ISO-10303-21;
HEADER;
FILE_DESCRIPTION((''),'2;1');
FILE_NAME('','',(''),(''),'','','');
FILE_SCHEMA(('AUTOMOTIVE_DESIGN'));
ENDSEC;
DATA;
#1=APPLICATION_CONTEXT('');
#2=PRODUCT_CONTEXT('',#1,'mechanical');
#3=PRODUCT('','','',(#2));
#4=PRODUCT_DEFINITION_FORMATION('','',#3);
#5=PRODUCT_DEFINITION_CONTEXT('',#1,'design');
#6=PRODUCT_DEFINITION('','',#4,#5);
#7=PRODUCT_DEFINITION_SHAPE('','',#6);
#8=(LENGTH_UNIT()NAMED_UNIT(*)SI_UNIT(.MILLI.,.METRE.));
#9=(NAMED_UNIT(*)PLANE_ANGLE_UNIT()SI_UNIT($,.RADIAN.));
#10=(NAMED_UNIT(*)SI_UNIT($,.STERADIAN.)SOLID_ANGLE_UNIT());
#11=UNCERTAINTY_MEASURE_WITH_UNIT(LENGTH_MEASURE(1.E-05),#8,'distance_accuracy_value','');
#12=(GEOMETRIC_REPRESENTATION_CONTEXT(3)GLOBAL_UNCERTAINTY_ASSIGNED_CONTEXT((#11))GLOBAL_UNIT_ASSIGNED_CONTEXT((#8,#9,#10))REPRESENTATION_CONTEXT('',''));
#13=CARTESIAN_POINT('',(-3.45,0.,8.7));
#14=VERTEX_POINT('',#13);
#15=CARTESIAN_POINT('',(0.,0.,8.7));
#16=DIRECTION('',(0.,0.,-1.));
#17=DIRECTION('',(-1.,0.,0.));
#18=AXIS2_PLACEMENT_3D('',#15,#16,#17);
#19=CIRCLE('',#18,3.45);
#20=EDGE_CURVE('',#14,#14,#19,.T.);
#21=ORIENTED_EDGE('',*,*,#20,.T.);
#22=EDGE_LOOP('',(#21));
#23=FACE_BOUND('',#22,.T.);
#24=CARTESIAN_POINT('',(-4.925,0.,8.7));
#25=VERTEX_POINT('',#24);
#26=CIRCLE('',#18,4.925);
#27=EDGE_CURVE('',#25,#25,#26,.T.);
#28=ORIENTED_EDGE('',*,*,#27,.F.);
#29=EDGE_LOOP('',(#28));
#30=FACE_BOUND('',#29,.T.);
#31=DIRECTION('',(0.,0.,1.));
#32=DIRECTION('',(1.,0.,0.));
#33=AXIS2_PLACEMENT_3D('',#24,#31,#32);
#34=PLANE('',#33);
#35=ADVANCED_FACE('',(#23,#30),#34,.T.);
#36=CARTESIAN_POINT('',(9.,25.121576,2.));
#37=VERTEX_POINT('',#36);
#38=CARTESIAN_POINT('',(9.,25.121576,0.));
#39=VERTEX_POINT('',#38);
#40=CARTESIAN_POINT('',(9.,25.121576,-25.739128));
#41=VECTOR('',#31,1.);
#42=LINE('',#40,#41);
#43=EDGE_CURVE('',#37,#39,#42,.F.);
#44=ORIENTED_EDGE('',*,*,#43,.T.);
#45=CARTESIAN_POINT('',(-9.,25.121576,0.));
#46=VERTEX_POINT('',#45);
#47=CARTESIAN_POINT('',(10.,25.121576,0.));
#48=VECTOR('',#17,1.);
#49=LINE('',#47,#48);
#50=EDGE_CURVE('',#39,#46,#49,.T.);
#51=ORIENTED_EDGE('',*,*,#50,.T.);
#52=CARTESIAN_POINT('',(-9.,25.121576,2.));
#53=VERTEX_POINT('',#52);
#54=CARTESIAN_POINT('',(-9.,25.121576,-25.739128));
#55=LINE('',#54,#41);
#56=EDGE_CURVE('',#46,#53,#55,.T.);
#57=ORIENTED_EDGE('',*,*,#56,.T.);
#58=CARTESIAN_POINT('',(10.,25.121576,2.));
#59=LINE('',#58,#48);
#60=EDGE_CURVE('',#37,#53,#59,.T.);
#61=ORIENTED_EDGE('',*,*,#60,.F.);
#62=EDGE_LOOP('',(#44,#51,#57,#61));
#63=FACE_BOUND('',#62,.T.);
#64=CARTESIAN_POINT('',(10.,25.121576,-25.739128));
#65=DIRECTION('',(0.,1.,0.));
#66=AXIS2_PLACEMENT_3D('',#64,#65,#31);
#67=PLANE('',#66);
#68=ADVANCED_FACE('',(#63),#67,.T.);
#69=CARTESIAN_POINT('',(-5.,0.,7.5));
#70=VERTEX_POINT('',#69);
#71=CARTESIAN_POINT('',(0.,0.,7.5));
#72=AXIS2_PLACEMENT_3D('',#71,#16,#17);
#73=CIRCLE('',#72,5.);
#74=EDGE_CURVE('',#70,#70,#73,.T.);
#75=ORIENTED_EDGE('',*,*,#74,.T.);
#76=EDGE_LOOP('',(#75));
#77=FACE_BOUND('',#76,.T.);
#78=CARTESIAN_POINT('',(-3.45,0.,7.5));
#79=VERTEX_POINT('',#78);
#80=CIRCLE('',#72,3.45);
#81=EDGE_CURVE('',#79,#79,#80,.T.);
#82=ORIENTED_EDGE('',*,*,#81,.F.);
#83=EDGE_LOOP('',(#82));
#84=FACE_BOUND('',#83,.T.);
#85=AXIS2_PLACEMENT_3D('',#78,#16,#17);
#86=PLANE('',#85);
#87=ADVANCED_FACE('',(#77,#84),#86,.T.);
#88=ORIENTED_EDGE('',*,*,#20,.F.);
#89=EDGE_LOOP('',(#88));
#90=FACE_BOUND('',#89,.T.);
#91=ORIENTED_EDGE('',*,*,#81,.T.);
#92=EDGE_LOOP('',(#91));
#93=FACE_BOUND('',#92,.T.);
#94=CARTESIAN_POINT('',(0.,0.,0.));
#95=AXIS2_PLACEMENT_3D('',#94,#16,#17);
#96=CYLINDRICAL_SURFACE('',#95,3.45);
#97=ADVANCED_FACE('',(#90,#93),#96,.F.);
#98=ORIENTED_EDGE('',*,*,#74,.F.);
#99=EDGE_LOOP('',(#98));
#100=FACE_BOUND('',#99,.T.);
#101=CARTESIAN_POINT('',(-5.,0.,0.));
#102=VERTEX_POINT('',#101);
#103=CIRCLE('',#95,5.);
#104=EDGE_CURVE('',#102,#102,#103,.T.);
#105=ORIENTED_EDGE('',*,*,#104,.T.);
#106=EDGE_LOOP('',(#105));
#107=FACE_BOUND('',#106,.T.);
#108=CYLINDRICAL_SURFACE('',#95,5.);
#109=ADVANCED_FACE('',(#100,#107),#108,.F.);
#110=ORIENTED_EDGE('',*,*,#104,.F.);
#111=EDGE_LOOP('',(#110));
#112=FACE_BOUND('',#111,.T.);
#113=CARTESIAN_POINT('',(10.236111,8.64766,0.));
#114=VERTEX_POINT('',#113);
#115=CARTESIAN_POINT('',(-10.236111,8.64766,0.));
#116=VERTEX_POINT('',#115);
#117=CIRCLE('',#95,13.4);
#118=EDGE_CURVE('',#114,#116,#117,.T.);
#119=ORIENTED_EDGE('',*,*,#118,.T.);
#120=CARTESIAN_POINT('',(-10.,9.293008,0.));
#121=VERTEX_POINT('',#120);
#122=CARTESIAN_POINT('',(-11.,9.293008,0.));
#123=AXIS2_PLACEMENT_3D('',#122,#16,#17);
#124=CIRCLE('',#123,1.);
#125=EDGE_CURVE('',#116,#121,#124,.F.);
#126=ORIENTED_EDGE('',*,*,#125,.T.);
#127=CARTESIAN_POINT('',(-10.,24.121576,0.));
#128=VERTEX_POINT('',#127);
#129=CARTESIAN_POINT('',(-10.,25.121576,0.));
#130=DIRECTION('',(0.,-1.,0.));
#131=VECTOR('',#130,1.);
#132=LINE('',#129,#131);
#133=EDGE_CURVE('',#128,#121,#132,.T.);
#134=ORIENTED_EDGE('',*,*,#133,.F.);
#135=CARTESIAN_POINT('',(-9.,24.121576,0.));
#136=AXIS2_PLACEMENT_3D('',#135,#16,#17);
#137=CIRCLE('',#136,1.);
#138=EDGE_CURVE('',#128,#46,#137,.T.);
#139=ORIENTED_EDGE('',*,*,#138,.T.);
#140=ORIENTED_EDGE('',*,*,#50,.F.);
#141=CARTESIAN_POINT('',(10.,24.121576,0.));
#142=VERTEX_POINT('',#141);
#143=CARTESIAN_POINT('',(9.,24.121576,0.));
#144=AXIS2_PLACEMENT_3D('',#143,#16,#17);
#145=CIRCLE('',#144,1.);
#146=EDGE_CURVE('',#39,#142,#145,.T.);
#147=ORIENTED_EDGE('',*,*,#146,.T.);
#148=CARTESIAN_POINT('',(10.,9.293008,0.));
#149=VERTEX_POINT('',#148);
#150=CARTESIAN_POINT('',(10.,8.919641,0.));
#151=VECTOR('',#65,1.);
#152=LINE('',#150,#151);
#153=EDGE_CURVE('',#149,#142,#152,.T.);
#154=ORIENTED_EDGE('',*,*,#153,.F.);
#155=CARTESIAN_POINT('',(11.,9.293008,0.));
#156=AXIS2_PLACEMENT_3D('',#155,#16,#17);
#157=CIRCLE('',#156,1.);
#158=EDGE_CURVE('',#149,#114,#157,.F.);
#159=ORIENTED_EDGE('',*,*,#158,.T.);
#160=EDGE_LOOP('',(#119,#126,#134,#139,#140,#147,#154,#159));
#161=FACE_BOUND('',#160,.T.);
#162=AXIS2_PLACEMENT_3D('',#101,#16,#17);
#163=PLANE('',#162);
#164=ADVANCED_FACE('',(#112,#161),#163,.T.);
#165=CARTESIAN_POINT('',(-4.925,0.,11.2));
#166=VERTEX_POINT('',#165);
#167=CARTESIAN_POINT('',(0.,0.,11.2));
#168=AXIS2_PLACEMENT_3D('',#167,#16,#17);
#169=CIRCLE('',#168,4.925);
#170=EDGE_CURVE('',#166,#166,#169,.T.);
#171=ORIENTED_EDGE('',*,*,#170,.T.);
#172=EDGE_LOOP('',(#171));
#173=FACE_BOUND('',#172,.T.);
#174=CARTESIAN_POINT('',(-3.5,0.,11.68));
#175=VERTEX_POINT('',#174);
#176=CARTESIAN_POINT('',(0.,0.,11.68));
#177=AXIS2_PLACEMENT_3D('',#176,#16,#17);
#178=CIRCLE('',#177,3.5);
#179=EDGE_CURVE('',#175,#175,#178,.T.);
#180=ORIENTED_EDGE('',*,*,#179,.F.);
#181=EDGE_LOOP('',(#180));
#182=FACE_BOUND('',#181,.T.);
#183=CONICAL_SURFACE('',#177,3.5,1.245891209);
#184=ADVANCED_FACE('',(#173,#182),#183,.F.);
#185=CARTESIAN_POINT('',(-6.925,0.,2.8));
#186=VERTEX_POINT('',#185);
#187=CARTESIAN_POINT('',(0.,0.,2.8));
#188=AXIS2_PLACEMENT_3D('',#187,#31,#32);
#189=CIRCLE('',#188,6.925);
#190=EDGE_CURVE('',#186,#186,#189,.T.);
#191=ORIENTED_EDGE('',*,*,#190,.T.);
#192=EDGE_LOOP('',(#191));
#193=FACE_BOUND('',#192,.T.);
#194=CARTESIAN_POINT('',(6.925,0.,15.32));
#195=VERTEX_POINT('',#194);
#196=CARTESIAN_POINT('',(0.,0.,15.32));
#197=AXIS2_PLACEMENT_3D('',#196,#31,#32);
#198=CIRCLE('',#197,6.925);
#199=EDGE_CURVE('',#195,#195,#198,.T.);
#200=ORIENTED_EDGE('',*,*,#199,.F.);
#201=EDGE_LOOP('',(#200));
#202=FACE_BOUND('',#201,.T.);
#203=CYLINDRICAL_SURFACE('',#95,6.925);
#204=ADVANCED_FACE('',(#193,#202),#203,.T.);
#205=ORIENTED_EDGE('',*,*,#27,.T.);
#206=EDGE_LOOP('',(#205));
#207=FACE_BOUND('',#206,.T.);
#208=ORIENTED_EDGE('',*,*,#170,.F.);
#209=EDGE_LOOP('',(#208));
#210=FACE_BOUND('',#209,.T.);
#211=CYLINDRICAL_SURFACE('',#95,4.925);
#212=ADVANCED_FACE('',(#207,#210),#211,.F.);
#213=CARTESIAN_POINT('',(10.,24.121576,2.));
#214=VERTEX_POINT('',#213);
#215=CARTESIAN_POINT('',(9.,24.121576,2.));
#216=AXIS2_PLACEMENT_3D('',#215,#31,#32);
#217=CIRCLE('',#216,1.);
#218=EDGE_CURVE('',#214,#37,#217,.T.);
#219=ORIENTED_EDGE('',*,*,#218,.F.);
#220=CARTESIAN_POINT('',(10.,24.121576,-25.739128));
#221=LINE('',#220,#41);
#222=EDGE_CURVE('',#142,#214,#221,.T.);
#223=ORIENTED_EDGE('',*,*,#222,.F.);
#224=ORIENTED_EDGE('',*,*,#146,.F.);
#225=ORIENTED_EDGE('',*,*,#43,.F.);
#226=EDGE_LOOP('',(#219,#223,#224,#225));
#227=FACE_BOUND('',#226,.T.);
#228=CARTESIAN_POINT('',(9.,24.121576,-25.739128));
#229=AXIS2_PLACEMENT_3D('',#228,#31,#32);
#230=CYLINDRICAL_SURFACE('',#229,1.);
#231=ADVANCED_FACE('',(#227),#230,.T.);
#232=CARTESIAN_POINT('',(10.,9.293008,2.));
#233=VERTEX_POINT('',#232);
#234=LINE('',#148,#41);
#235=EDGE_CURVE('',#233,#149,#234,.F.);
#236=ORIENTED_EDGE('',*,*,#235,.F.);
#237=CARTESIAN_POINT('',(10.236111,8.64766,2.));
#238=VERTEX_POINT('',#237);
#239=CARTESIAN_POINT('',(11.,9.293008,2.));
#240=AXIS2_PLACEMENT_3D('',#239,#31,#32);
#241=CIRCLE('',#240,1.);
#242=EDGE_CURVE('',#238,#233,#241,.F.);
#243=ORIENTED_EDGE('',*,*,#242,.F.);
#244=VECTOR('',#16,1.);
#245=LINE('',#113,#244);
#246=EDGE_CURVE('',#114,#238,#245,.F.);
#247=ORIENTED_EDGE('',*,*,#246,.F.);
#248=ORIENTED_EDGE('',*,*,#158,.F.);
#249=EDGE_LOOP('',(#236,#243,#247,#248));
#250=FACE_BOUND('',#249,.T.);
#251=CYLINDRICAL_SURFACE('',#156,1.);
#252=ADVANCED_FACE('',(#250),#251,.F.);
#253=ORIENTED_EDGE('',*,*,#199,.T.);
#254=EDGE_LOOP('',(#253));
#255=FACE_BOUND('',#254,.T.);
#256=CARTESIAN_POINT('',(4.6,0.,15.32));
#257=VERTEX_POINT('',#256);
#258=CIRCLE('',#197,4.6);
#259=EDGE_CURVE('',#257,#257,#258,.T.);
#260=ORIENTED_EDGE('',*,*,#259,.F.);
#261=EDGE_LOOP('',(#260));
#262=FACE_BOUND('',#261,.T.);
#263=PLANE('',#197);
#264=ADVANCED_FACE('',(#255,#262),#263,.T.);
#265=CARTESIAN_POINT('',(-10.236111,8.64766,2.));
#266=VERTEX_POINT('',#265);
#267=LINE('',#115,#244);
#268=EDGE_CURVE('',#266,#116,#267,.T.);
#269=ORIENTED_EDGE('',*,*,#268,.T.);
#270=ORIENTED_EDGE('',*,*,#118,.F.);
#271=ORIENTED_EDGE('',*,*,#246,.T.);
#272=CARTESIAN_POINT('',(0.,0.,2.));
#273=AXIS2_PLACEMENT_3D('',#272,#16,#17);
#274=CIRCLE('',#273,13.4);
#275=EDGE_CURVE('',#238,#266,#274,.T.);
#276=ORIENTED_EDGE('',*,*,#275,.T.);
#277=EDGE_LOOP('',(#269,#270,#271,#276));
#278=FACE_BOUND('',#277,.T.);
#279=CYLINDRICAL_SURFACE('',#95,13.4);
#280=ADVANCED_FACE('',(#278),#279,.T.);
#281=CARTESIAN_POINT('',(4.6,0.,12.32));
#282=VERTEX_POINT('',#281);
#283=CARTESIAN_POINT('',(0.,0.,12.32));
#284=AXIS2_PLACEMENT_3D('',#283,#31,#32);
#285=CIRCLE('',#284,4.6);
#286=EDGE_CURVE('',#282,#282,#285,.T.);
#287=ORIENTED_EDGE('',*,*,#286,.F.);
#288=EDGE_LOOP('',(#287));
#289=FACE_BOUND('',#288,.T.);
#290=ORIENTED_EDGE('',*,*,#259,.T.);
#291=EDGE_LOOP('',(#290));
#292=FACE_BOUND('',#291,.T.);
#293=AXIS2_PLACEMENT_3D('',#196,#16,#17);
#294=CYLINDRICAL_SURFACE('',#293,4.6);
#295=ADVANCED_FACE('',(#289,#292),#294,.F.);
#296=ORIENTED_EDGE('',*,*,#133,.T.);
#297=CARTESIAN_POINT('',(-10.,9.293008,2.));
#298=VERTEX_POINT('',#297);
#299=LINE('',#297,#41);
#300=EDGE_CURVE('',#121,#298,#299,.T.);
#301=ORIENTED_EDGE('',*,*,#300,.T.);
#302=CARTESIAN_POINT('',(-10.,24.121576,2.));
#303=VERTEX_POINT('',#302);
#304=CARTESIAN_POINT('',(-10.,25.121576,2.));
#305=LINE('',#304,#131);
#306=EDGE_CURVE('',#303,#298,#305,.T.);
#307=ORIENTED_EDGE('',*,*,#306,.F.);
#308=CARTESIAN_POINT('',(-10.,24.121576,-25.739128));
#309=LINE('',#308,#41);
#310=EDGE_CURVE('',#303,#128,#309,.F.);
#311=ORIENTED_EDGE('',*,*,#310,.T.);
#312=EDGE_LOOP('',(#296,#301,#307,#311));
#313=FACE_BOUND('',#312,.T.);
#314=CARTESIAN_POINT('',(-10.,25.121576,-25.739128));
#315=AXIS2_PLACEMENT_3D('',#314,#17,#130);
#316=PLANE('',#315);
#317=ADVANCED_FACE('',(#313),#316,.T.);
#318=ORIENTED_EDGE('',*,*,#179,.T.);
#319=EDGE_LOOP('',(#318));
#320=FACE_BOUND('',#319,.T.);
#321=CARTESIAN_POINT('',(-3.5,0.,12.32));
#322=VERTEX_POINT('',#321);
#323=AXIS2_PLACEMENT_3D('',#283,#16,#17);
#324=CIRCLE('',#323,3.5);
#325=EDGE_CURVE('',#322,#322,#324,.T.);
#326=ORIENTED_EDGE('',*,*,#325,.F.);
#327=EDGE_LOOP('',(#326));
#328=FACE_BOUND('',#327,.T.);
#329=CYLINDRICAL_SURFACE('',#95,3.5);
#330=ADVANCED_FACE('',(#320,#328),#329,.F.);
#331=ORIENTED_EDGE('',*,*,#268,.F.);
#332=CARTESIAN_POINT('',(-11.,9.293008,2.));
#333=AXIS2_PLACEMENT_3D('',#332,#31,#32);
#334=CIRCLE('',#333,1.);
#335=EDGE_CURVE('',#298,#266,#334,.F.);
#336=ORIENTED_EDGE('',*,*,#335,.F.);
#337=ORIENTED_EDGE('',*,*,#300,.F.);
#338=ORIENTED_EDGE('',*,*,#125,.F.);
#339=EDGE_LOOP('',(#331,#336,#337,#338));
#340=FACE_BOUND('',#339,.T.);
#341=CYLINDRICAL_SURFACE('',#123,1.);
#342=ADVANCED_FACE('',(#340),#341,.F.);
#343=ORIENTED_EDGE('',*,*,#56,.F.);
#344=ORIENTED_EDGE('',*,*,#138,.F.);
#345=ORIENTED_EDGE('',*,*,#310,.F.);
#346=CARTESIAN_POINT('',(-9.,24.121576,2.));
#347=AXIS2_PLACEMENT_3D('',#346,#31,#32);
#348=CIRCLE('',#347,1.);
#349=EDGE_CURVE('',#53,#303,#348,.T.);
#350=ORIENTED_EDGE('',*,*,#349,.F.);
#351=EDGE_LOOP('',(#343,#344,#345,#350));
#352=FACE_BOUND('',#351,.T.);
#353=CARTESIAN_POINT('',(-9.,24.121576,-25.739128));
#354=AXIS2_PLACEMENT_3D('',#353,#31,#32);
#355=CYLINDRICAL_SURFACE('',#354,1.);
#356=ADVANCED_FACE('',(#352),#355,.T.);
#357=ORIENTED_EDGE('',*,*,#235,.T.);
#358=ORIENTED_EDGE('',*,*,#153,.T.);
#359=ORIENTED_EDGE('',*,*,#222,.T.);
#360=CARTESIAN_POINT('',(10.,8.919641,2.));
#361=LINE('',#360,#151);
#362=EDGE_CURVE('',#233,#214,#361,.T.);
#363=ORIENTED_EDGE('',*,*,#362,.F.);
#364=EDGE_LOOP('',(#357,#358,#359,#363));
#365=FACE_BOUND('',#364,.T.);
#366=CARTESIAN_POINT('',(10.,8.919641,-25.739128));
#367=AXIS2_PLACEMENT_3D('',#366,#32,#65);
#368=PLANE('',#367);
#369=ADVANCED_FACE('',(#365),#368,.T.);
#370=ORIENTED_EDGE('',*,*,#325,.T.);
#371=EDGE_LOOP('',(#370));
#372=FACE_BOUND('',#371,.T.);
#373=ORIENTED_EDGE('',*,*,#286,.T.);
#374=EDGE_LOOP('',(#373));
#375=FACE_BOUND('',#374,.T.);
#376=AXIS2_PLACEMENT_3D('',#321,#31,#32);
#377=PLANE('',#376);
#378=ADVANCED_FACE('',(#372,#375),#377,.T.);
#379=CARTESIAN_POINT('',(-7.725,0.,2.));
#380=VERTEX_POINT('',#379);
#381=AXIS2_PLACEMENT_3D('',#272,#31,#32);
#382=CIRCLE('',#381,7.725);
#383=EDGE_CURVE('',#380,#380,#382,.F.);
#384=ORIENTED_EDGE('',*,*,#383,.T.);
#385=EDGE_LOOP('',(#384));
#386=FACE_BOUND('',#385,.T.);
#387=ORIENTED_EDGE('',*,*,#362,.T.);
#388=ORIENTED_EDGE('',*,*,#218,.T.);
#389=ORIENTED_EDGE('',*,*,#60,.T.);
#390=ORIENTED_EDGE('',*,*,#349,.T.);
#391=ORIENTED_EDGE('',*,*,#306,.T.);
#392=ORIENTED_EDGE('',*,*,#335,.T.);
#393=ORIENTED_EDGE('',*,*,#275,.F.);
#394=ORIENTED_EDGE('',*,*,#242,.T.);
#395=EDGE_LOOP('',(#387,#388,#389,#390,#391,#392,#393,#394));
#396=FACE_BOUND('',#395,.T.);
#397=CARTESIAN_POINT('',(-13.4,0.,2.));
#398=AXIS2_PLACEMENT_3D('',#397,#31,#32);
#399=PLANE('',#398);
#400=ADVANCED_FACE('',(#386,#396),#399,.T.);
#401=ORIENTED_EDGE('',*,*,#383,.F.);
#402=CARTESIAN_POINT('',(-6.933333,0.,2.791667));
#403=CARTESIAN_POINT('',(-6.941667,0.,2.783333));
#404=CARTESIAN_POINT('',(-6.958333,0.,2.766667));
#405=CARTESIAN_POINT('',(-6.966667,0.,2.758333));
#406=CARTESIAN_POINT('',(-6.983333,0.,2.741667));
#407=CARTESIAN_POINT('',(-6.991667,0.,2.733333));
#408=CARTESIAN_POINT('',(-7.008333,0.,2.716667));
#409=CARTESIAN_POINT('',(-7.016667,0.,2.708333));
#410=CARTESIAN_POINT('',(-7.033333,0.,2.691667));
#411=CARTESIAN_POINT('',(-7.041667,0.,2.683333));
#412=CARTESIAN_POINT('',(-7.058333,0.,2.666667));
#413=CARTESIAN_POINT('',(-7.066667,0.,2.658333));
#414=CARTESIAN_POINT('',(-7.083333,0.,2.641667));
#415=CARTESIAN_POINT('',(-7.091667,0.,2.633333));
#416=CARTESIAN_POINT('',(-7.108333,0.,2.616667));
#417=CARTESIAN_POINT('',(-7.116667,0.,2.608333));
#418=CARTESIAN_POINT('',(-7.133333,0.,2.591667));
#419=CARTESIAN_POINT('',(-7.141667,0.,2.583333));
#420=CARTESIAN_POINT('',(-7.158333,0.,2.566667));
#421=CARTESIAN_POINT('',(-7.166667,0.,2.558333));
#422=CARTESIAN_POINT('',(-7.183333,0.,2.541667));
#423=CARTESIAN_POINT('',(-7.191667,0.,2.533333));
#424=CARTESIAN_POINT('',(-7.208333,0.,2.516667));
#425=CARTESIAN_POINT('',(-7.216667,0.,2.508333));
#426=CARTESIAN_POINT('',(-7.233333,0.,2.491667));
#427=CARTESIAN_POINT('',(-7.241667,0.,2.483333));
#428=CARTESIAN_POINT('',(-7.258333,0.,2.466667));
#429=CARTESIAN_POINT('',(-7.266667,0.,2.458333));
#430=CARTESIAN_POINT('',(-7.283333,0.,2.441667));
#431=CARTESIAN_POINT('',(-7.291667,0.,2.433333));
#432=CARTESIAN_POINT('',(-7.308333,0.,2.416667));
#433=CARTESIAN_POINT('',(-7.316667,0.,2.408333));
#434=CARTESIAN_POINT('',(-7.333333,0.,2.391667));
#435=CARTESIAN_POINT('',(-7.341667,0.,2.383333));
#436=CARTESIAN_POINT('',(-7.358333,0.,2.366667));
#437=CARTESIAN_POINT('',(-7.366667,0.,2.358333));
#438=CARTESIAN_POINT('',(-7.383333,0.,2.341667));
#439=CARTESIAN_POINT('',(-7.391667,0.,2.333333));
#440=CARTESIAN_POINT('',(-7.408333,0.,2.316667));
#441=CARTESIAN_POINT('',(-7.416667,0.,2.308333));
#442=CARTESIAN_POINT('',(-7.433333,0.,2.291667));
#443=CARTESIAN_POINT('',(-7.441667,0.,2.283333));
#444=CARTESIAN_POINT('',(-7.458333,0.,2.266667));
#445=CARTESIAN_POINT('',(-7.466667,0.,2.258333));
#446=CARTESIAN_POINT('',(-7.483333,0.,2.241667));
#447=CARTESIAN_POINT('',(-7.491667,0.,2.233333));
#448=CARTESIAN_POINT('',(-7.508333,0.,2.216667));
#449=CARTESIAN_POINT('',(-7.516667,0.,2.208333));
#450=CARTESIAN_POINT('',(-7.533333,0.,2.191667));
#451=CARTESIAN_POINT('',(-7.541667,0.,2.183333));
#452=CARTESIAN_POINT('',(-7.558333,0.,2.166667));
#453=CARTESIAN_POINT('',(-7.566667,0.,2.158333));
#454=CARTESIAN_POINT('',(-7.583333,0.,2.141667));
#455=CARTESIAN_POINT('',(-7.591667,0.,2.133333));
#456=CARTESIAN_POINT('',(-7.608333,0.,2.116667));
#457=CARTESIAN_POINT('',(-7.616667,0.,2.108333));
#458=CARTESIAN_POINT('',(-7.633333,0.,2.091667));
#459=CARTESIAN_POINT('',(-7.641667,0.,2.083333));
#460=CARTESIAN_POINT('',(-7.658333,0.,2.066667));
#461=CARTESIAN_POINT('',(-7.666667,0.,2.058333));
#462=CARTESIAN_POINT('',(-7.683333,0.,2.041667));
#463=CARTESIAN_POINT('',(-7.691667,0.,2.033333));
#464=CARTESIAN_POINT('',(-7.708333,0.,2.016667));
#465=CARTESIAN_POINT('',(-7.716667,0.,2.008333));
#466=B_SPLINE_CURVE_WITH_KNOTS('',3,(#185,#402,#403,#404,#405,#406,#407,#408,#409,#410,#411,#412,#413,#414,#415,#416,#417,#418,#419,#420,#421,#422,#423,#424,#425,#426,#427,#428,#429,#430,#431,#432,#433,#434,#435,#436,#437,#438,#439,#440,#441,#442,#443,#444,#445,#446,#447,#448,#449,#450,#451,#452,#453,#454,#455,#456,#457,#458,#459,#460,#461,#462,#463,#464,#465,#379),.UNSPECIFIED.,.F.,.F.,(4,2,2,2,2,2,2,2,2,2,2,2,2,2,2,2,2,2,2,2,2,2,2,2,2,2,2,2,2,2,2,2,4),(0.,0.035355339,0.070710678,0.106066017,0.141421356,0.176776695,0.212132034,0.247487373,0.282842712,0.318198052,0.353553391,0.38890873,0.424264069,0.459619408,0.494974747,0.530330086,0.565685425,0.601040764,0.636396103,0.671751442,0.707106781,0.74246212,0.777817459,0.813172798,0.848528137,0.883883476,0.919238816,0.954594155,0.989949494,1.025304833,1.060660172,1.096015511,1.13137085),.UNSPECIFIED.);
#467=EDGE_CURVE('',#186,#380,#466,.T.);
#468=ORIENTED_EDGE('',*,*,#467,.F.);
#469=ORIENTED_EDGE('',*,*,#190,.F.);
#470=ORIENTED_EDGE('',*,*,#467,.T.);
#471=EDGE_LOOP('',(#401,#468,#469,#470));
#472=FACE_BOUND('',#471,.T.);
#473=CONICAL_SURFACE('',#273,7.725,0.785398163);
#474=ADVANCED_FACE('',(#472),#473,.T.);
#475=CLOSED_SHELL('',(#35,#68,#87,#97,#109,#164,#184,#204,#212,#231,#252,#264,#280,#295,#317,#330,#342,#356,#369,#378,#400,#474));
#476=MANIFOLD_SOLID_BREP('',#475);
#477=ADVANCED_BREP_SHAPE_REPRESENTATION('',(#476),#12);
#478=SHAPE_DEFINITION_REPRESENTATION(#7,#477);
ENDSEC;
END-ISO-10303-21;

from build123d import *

# Parameters (mm, degrees)
BOSS_EXTRUDE1_DEPTH = 2
FILLET2_R           = 1
CHAMFER1_SIZE       = 0.8
SKETCH4_R           = 6.925
SKETCH4_R_2         = 4.6
BOSS_EXTRUDE2_DEPTH = 3


with BuildPart() as part:
    # Sketch2 → Revolve1 (revolve)
    with BuildSketch(Plane(origin=(0, 0, 0), x_dir=(1, 0, 0), z_dir=(0, 1, 0))):
        Polygon((-3.5, -12.32), (-3.5, -11.68), (-4.925, -11.2), (-4.925, -8.7), (-3.45, -8.7), (-3.45, -7.5), (-5, -7.5), (-5, 0), (-13.4, 0), (-13.4, -2), (-6.925, -2), (-6.925, -12.32), align=None)
    revolve(axis=Axis((0, 0, 0), (0, 0, 1)))

    # Sketch3 → Boss-Extrude1 (add)
    with BuildSketch(Plane.XY.offset(2)):
        with BuildLine():
            Line((10, 8.919641248), (10, 25.121576202))
            Line((10, 25.121576202), (-10, 25.121576202))
            Line((-10, 25.121576202), (-10, 8.919641248))
            ThreePointArc((-10, 8.919641248), (0, 13.4), (10, 8.919641248))
        make_face()
    extrude(amount=-BOSS_EXTRUDE1_DEPTH)

    # Fillet2
    fillet2_edges = [part.edges().sort_by_distance(p)[0] for p in [
        (10, 25.121576202, 1),
        (-10, 25.121576202, 1),
        (-10, 8.919641248, 1),
        (10, 8.919641248, 1),
    ]]
    fillet(fillet2_edges, radius=FILLET2_R)

    # Chamfer1
    chamfer1_edges = [part.edges().sort_by_distance(p)[0] for p in [
        (6.925, 0, 2),
    ]]
    chamfer(chamfer1_edges, length=CHAMFER1_SIZE)

    # Sketch4 → Boss-Extrude2 (add)
    with BuildSketch(Plane.XY.offset(12.32)):
        with Locations(Location((0, 0, 0), (0, 0, 180))):
            Circle(SKETCH4_R)
        Circle(SKETCH4_R_2, mode=Mode.SUBTRACT)
    extrude(amount=BOSS_EXTRUDE2_DEPTH)


solid = part.part
